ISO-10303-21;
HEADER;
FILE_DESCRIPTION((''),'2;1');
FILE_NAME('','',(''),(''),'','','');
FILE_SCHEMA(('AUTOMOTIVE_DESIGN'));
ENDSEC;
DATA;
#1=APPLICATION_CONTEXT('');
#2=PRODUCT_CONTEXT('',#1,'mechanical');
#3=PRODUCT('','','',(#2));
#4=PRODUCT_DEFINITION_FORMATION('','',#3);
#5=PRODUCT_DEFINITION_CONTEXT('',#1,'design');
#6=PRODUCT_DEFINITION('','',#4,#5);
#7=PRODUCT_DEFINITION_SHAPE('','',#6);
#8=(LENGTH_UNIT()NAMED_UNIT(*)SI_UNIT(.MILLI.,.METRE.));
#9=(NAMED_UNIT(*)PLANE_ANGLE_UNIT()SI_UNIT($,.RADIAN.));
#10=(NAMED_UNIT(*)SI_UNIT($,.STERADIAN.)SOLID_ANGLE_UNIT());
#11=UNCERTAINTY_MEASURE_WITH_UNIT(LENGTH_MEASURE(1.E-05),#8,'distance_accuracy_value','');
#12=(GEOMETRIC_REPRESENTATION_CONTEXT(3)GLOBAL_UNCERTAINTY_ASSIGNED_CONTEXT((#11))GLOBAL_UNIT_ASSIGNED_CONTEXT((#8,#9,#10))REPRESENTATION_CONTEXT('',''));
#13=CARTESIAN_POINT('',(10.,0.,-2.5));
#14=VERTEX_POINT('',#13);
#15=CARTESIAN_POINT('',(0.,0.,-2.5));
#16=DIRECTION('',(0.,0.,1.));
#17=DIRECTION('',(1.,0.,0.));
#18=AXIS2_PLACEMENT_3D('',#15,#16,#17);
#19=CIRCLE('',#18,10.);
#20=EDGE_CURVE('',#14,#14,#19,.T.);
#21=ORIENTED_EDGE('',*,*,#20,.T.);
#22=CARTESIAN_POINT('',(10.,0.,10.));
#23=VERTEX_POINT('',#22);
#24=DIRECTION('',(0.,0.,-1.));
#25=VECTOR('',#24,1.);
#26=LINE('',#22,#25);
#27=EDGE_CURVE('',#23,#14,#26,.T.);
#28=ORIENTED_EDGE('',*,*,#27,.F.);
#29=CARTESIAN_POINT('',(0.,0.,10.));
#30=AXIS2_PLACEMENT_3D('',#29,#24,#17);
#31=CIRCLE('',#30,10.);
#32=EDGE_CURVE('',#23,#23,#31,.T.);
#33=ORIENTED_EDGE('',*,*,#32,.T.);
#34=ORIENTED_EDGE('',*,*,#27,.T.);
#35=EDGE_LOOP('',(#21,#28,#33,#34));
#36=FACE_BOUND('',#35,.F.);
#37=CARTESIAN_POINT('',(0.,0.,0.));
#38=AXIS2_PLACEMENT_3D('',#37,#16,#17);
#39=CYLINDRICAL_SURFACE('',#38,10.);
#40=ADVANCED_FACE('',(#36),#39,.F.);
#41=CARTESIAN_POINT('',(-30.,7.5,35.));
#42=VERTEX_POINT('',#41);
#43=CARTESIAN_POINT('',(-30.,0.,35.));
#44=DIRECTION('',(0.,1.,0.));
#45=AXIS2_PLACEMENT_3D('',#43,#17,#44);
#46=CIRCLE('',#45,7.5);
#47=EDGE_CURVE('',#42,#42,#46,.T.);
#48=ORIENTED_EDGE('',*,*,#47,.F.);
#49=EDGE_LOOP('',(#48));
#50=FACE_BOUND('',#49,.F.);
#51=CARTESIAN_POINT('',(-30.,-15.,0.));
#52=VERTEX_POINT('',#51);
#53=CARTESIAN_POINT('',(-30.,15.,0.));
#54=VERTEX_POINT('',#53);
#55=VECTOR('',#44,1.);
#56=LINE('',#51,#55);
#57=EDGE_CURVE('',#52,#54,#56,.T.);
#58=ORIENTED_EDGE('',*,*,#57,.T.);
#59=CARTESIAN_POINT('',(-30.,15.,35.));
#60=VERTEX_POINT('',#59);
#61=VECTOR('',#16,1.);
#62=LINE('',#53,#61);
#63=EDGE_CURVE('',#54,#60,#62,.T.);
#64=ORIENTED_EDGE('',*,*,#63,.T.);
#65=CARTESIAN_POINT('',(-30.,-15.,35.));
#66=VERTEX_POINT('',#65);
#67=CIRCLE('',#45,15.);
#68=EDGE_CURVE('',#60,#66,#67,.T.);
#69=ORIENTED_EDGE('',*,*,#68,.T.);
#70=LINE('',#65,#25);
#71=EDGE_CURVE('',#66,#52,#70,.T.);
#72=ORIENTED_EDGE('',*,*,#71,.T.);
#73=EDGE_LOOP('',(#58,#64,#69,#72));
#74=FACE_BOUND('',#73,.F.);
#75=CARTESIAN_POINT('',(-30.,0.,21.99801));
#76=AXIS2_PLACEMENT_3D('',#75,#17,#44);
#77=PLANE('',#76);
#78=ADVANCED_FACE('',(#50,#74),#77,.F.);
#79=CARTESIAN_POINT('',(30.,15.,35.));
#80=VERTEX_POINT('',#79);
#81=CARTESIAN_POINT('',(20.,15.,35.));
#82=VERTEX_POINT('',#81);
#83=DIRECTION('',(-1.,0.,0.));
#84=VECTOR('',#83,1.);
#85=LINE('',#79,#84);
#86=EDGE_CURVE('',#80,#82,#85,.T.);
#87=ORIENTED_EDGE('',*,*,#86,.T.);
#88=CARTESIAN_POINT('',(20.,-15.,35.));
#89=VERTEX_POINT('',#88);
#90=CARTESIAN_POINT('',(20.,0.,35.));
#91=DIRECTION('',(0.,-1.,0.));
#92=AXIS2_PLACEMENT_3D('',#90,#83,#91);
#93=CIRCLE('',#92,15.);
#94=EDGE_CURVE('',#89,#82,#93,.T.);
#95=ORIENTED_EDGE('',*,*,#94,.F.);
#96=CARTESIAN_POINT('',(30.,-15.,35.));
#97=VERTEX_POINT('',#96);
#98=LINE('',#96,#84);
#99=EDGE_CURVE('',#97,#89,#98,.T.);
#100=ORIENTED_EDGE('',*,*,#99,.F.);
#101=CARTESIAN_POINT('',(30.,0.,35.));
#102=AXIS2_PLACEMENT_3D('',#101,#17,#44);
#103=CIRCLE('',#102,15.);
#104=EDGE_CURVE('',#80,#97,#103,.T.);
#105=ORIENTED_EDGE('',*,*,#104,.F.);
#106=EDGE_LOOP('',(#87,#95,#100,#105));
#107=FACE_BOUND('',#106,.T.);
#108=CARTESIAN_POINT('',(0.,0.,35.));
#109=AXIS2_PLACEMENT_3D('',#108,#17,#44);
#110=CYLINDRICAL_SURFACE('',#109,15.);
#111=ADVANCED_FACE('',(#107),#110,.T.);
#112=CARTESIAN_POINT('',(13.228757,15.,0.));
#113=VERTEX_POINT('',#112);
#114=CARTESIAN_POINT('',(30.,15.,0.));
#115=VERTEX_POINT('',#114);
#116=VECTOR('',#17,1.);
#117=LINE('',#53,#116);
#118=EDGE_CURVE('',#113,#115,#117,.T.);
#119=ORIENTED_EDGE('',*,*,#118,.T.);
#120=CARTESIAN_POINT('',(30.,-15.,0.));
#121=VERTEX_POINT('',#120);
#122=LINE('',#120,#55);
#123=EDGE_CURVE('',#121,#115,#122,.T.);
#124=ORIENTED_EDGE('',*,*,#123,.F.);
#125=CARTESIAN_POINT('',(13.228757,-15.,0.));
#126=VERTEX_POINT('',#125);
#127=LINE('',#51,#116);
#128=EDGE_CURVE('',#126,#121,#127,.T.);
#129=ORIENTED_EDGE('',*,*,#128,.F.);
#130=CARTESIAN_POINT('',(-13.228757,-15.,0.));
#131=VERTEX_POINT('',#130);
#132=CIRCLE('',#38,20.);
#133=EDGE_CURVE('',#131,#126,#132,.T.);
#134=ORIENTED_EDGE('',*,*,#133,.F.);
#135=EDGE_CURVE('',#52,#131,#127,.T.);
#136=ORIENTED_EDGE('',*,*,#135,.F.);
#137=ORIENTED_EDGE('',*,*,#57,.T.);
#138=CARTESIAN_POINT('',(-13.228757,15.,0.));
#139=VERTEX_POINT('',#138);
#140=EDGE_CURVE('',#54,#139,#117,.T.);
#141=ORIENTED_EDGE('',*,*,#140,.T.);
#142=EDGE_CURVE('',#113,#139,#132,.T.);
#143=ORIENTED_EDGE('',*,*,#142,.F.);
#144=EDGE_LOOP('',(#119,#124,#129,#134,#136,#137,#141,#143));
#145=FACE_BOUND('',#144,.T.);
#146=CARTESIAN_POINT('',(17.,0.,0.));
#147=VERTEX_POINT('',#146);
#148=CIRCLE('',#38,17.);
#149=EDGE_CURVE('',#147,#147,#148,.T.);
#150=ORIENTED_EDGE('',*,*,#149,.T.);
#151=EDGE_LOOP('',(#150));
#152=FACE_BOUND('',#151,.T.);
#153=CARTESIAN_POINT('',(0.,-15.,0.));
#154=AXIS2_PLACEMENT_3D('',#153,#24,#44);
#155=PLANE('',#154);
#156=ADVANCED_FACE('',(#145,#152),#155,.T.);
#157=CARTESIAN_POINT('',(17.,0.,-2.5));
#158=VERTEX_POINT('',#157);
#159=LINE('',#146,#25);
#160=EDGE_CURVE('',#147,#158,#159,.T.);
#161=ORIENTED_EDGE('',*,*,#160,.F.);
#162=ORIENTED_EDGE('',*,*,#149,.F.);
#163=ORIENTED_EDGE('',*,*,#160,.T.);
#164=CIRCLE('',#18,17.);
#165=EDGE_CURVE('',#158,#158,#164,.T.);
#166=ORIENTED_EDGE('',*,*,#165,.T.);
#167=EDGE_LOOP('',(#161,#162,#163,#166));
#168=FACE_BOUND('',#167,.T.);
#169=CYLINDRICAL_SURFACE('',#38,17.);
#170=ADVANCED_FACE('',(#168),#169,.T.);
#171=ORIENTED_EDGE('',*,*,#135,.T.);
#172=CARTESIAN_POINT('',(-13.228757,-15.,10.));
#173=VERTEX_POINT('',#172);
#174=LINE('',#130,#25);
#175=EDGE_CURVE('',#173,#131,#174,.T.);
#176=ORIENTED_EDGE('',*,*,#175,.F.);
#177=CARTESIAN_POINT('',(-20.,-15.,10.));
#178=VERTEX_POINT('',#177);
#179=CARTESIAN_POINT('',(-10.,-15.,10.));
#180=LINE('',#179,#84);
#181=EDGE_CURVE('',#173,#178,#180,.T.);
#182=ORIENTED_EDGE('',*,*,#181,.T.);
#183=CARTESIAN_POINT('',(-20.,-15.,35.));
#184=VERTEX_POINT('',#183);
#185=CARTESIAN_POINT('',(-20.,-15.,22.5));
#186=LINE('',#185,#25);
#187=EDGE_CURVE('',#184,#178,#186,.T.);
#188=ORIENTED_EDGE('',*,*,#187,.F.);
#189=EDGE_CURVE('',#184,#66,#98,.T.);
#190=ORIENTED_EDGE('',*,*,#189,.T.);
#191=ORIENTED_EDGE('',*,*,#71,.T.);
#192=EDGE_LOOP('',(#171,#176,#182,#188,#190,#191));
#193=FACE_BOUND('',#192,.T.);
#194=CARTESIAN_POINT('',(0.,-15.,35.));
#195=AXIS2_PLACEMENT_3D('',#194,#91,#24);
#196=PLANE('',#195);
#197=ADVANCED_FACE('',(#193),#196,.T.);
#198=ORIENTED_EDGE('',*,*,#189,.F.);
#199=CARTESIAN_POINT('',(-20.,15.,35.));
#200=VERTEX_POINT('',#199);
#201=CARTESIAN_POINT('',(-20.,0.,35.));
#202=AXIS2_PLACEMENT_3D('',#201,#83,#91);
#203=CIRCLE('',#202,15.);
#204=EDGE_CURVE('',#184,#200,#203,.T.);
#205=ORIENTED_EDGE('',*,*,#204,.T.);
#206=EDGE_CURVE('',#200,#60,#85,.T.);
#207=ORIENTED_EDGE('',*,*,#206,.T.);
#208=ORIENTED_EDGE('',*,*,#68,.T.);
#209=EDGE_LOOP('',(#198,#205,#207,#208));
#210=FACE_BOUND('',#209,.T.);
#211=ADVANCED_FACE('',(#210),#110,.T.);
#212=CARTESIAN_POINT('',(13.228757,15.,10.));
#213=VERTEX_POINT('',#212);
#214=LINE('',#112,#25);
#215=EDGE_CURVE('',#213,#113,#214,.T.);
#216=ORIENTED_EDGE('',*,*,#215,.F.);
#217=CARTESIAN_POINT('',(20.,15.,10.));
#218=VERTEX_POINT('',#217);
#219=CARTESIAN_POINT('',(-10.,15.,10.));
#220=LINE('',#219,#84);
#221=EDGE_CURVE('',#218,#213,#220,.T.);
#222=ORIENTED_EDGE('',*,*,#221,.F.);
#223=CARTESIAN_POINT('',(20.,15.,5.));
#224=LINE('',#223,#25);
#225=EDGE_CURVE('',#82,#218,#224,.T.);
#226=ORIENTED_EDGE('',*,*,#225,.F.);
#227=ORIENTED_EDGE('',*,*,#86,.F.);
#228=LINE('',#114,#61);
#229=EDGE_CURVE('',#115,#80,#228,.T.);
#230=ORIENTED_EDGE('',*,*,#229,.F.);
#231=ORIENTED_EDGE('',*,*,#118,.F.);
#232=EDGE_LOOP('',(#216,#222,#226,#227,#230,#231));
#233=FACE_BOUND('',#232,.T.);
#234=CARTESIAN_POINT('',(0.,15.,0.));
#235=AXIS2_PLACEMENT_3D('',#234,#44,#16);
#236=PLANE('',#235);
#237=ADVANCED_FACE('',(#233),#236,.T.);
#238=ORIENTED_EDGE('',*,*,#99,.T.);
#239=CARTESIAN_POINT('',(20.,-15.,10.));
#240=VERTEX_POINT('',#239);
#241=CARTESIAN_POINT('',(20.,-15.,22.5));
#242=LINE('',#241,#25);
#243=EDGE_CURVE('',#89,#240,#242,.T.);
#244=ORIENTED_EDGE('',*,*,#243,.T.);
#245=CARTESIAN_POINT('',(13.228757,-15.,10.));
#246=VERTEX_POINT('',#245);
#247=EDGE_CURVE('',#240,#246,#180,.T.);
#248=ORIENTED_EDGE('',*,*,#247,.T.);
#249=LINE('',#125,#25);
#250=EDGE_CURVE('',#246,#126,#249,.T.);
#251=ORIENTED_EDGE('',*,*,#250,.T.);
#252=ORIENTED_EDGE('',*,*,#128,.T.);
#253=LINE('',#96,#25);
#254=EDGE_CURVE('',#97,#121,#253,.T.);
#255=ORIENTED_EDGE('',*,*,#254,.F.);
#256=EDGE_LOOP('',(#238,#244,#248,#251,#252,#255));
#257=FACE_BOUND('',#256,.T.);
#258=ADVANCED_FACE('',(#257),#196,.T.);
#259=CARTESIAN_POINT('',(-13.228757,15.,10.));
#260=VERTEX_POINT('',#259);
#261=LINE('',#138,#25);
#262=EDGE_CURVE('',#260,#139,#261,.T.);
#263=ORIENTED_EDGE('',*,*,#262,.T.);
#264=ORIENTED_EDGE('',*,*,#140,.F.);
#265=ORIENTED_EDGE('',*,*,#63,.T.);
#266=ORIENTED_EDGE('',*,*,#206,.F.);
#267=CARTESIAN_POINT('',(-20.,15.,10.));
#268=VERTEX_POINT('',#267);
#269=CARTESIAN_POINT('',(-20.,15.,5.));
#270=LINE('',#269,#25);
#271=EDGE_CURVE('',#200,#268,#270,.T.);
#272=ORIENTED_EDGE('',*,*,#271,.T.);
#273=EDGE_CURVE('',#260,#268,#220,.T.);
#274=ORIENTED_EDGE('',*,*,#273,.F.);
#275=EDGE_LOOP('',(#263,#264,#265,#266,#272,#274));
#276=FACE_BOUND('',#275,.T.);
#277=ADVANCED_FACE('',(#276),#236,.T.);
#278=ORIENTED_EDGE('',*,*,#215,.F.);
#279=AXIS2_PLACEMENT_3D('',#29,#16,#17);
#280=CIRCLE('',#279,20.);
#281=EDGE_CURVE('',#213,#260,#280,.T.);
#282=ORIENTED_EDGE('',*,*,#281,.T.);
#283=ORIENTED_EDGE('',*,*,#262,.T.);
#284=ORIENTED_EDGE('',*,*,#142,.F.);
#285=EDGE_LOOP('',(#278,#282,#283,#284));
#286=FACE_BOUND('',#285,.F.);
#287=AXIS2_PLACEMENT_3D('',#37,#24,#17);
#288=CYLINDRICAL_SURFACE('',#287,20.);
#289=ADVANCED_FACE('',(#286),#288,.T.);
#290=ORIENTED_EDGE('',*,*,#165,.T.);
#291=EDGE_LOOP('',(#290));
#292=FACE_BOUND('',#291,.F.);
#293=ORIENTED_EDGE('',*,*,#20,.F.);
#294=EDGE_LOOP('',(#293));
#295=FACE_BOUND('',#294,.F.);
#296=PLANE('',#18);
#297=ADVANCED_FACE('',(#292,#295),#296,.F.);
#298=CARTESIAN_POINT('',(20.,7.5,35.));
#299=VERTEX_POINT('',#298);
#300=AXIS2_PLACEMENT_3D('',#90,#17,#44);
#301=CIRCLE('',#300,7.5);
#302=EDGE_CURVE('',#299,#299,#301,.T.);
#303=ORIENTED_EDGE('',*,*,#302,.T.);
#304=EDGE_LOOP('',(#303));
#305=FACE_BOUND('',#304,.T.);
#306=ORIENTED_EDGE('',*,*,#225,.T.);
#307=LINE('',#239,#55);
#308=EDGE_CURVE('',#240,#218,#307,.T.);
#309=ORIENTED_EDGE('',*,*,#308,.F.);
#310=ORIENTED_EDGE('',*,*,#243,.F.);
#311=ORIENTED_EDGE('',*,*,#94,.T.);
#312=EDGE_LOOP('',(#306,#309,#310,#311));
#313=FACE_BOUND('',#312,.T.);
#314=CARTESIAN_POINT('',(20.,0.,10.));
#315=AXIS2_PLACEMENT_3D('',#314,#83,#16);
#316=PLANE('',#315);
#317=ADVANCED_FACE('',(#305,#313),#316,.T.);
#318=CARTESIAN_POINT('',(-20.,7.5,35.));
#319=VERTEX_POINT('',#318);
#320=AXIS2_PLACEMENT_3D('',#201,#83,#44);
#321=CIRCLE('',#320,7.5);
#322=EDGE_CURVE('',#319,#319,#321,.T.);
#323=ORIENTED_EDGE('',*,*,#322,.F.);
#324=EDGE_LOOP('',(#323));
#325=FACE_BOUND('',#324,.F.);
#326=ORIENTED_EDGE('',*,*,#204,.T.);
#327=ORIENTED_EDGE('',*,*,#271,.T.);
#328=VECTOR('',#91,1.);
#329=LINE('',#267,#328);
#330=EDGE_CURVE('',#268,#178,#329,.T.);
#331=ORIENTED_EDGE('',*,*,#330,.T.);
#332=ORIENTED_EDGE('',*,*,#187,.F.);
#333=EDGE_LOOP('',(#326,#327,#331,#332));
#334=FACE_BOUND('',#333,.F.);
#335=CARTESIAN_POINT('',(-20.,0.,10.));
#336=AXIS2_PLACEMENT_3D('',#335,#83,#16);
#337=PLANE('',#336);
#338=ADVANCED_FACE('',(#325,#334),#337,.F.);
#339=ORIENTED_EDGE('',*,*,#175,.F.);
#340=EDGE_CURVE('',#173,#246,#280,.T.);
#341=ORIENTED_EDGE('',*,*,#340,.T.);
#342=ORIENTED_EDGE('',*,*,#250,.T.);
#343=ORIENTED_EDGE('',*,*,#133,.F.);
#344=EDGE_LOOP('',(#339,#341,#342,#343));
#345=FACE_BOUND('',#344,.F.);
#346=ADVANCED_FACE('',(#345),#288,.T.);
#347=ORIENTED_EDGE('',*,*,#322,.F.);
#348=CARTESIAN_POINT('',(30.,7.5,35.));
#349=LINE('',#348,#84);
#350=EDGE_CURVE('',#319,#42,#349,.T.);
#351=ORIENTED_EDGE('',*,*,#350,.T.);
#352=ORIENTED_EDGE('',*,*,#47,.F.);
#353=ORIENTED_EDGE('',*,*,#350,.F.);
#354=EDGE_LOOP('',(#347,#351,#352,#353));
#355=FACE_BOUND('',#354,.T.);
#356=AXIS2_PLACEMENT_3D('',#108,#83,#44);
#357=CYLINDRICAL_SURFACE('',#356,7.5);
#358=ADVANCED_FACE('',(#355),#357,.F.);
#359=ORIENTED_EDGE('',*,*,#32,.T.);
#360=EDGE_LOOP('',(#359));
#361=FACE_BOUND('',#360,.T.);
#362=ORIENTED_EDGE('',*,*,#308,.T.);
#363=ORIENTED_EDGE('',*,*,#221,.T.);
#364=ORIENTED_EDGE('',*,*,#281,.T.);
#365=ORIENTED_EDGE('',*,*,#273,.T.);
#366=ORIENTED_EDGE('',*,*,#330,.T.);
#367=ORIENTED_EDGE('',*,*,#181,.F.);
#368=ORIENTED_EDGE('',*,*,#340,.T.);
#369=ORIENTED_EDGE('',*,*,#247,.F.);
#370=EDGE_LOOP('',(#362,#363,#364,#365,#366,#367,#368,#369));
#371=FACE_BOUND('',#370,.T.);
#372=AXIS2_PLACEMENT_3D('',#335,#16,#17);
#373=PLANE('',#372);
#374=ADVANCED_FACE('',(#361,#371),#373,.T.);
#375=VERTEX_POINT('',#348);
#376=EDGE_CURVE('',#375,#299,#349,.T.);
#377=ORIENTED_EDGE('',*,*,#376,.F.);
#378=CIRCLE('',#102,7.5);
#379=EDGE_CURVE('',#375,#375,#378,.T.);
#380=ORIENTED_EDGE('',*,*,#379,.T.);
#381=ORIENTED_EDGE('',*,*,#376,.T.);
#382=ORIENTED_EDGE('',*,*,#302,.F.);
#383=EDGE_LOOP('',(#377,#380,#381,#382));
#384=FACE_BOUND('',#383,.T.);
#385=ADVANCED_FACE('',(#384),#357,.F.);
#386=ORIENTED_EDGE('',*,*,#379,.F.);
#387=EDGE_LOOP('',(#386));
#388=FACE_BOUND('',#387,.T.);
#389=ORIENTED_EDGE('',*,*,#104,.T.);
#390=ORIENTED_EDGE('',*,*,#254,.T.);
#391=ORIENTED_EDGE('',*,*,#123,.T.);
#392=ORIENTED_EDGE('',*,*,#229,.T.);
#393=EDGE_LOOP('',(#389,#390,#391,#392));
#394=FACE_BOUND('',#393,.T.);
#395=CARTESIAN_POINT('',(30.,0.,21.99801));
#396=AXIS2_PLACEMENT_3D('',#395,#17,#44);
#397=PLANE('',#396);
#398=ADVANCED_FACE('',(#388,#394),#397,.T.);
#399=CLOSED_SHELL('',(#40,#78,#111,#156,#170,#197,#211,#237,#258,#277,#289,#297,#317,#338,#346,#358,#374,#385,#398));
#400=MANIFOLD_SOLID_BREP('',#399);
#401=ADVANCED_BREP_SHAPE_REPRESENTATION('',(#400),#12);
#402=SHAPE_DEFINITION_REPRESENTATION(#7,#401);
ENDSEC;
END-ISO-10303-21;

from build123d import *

# Parameters (mm, degrees)
F0_R          = 7.5
F1_DEPTH      = 30
F2_W          = 40
F2_H          = 40
F3_DEPTH      = 25
F3_DEPTH_BACK = 25
F4_R          = 20
F5_DEPTH      = 10
F6_R          = 10
F7_DEPTH      = 50.001
F7_DEPTH_BACK = 25
F8_R          = 17
F9_DEPTH      = 2.5
F10_DEPTH     = 25


with BuildPart() as f1:
    # F0 (on Right) → F1 (new body, symmetric)
    with BuildSketch(Plane.YZ):
        with BuildLine():
            Line((-15, 35), (-15, 0))
            Line((-15, 0), (15, 0))
            Line((15, 0), (15, 35))
            ThreePointArc((15, 35), (0, 50), (-15, 35))
        make_face()
        with Locations((0, 35)):
            Circle(F0_R, mode=Mode.SUBTRACT)
    extrude(amount=F1_DEPTH, both=True)

    # F2 (on Front) → F3 (cut, two sides)
    with BuildSketch(Plane.XZ) as f3_sk:
        with Locations((0, 30)):
            Rectangle(F2_W, F2_H)
    extrude(amount=F3_DEPTH, mode=Mode.SUBTRACT)
    extrude(f3_sk.sketch, amount=-F3_DEPTH_BACK, mode=Mode.SUBTRACT)

    # F4 (on Top) → F5 (join)
    with BuildSketch(Plane.XY):
        Circle(F4_R)
    extrude(amount=F5_DEPTH)

    # F6 (on Top) → F7 (cut, two sides)
    with BuildSketch(Plane.XY) as f7_sk:
        Circle(F6_R)
    extrude(amount=F7_DEPTH, mode=Mode.SUBTRACT)
    extrude(f7_sk.sketch, amount=-F7_DEPTH_BACK, mode=Mode.SUBTRACT)

    # F8 (on Top) → F9 (join)
    with BuildSketch(Plane.XY):
        Circle(F8_R)
    extrude(amount=-F9_DEPTH)

    # F6 (on Top) → F10 (cut)
    with BuildSketch(Plane.XY):
        Circle(F6_R)
    extrude(amount=-F10_DEPTH, mode=Mode.SUBTRACT)


solid = f1.part
